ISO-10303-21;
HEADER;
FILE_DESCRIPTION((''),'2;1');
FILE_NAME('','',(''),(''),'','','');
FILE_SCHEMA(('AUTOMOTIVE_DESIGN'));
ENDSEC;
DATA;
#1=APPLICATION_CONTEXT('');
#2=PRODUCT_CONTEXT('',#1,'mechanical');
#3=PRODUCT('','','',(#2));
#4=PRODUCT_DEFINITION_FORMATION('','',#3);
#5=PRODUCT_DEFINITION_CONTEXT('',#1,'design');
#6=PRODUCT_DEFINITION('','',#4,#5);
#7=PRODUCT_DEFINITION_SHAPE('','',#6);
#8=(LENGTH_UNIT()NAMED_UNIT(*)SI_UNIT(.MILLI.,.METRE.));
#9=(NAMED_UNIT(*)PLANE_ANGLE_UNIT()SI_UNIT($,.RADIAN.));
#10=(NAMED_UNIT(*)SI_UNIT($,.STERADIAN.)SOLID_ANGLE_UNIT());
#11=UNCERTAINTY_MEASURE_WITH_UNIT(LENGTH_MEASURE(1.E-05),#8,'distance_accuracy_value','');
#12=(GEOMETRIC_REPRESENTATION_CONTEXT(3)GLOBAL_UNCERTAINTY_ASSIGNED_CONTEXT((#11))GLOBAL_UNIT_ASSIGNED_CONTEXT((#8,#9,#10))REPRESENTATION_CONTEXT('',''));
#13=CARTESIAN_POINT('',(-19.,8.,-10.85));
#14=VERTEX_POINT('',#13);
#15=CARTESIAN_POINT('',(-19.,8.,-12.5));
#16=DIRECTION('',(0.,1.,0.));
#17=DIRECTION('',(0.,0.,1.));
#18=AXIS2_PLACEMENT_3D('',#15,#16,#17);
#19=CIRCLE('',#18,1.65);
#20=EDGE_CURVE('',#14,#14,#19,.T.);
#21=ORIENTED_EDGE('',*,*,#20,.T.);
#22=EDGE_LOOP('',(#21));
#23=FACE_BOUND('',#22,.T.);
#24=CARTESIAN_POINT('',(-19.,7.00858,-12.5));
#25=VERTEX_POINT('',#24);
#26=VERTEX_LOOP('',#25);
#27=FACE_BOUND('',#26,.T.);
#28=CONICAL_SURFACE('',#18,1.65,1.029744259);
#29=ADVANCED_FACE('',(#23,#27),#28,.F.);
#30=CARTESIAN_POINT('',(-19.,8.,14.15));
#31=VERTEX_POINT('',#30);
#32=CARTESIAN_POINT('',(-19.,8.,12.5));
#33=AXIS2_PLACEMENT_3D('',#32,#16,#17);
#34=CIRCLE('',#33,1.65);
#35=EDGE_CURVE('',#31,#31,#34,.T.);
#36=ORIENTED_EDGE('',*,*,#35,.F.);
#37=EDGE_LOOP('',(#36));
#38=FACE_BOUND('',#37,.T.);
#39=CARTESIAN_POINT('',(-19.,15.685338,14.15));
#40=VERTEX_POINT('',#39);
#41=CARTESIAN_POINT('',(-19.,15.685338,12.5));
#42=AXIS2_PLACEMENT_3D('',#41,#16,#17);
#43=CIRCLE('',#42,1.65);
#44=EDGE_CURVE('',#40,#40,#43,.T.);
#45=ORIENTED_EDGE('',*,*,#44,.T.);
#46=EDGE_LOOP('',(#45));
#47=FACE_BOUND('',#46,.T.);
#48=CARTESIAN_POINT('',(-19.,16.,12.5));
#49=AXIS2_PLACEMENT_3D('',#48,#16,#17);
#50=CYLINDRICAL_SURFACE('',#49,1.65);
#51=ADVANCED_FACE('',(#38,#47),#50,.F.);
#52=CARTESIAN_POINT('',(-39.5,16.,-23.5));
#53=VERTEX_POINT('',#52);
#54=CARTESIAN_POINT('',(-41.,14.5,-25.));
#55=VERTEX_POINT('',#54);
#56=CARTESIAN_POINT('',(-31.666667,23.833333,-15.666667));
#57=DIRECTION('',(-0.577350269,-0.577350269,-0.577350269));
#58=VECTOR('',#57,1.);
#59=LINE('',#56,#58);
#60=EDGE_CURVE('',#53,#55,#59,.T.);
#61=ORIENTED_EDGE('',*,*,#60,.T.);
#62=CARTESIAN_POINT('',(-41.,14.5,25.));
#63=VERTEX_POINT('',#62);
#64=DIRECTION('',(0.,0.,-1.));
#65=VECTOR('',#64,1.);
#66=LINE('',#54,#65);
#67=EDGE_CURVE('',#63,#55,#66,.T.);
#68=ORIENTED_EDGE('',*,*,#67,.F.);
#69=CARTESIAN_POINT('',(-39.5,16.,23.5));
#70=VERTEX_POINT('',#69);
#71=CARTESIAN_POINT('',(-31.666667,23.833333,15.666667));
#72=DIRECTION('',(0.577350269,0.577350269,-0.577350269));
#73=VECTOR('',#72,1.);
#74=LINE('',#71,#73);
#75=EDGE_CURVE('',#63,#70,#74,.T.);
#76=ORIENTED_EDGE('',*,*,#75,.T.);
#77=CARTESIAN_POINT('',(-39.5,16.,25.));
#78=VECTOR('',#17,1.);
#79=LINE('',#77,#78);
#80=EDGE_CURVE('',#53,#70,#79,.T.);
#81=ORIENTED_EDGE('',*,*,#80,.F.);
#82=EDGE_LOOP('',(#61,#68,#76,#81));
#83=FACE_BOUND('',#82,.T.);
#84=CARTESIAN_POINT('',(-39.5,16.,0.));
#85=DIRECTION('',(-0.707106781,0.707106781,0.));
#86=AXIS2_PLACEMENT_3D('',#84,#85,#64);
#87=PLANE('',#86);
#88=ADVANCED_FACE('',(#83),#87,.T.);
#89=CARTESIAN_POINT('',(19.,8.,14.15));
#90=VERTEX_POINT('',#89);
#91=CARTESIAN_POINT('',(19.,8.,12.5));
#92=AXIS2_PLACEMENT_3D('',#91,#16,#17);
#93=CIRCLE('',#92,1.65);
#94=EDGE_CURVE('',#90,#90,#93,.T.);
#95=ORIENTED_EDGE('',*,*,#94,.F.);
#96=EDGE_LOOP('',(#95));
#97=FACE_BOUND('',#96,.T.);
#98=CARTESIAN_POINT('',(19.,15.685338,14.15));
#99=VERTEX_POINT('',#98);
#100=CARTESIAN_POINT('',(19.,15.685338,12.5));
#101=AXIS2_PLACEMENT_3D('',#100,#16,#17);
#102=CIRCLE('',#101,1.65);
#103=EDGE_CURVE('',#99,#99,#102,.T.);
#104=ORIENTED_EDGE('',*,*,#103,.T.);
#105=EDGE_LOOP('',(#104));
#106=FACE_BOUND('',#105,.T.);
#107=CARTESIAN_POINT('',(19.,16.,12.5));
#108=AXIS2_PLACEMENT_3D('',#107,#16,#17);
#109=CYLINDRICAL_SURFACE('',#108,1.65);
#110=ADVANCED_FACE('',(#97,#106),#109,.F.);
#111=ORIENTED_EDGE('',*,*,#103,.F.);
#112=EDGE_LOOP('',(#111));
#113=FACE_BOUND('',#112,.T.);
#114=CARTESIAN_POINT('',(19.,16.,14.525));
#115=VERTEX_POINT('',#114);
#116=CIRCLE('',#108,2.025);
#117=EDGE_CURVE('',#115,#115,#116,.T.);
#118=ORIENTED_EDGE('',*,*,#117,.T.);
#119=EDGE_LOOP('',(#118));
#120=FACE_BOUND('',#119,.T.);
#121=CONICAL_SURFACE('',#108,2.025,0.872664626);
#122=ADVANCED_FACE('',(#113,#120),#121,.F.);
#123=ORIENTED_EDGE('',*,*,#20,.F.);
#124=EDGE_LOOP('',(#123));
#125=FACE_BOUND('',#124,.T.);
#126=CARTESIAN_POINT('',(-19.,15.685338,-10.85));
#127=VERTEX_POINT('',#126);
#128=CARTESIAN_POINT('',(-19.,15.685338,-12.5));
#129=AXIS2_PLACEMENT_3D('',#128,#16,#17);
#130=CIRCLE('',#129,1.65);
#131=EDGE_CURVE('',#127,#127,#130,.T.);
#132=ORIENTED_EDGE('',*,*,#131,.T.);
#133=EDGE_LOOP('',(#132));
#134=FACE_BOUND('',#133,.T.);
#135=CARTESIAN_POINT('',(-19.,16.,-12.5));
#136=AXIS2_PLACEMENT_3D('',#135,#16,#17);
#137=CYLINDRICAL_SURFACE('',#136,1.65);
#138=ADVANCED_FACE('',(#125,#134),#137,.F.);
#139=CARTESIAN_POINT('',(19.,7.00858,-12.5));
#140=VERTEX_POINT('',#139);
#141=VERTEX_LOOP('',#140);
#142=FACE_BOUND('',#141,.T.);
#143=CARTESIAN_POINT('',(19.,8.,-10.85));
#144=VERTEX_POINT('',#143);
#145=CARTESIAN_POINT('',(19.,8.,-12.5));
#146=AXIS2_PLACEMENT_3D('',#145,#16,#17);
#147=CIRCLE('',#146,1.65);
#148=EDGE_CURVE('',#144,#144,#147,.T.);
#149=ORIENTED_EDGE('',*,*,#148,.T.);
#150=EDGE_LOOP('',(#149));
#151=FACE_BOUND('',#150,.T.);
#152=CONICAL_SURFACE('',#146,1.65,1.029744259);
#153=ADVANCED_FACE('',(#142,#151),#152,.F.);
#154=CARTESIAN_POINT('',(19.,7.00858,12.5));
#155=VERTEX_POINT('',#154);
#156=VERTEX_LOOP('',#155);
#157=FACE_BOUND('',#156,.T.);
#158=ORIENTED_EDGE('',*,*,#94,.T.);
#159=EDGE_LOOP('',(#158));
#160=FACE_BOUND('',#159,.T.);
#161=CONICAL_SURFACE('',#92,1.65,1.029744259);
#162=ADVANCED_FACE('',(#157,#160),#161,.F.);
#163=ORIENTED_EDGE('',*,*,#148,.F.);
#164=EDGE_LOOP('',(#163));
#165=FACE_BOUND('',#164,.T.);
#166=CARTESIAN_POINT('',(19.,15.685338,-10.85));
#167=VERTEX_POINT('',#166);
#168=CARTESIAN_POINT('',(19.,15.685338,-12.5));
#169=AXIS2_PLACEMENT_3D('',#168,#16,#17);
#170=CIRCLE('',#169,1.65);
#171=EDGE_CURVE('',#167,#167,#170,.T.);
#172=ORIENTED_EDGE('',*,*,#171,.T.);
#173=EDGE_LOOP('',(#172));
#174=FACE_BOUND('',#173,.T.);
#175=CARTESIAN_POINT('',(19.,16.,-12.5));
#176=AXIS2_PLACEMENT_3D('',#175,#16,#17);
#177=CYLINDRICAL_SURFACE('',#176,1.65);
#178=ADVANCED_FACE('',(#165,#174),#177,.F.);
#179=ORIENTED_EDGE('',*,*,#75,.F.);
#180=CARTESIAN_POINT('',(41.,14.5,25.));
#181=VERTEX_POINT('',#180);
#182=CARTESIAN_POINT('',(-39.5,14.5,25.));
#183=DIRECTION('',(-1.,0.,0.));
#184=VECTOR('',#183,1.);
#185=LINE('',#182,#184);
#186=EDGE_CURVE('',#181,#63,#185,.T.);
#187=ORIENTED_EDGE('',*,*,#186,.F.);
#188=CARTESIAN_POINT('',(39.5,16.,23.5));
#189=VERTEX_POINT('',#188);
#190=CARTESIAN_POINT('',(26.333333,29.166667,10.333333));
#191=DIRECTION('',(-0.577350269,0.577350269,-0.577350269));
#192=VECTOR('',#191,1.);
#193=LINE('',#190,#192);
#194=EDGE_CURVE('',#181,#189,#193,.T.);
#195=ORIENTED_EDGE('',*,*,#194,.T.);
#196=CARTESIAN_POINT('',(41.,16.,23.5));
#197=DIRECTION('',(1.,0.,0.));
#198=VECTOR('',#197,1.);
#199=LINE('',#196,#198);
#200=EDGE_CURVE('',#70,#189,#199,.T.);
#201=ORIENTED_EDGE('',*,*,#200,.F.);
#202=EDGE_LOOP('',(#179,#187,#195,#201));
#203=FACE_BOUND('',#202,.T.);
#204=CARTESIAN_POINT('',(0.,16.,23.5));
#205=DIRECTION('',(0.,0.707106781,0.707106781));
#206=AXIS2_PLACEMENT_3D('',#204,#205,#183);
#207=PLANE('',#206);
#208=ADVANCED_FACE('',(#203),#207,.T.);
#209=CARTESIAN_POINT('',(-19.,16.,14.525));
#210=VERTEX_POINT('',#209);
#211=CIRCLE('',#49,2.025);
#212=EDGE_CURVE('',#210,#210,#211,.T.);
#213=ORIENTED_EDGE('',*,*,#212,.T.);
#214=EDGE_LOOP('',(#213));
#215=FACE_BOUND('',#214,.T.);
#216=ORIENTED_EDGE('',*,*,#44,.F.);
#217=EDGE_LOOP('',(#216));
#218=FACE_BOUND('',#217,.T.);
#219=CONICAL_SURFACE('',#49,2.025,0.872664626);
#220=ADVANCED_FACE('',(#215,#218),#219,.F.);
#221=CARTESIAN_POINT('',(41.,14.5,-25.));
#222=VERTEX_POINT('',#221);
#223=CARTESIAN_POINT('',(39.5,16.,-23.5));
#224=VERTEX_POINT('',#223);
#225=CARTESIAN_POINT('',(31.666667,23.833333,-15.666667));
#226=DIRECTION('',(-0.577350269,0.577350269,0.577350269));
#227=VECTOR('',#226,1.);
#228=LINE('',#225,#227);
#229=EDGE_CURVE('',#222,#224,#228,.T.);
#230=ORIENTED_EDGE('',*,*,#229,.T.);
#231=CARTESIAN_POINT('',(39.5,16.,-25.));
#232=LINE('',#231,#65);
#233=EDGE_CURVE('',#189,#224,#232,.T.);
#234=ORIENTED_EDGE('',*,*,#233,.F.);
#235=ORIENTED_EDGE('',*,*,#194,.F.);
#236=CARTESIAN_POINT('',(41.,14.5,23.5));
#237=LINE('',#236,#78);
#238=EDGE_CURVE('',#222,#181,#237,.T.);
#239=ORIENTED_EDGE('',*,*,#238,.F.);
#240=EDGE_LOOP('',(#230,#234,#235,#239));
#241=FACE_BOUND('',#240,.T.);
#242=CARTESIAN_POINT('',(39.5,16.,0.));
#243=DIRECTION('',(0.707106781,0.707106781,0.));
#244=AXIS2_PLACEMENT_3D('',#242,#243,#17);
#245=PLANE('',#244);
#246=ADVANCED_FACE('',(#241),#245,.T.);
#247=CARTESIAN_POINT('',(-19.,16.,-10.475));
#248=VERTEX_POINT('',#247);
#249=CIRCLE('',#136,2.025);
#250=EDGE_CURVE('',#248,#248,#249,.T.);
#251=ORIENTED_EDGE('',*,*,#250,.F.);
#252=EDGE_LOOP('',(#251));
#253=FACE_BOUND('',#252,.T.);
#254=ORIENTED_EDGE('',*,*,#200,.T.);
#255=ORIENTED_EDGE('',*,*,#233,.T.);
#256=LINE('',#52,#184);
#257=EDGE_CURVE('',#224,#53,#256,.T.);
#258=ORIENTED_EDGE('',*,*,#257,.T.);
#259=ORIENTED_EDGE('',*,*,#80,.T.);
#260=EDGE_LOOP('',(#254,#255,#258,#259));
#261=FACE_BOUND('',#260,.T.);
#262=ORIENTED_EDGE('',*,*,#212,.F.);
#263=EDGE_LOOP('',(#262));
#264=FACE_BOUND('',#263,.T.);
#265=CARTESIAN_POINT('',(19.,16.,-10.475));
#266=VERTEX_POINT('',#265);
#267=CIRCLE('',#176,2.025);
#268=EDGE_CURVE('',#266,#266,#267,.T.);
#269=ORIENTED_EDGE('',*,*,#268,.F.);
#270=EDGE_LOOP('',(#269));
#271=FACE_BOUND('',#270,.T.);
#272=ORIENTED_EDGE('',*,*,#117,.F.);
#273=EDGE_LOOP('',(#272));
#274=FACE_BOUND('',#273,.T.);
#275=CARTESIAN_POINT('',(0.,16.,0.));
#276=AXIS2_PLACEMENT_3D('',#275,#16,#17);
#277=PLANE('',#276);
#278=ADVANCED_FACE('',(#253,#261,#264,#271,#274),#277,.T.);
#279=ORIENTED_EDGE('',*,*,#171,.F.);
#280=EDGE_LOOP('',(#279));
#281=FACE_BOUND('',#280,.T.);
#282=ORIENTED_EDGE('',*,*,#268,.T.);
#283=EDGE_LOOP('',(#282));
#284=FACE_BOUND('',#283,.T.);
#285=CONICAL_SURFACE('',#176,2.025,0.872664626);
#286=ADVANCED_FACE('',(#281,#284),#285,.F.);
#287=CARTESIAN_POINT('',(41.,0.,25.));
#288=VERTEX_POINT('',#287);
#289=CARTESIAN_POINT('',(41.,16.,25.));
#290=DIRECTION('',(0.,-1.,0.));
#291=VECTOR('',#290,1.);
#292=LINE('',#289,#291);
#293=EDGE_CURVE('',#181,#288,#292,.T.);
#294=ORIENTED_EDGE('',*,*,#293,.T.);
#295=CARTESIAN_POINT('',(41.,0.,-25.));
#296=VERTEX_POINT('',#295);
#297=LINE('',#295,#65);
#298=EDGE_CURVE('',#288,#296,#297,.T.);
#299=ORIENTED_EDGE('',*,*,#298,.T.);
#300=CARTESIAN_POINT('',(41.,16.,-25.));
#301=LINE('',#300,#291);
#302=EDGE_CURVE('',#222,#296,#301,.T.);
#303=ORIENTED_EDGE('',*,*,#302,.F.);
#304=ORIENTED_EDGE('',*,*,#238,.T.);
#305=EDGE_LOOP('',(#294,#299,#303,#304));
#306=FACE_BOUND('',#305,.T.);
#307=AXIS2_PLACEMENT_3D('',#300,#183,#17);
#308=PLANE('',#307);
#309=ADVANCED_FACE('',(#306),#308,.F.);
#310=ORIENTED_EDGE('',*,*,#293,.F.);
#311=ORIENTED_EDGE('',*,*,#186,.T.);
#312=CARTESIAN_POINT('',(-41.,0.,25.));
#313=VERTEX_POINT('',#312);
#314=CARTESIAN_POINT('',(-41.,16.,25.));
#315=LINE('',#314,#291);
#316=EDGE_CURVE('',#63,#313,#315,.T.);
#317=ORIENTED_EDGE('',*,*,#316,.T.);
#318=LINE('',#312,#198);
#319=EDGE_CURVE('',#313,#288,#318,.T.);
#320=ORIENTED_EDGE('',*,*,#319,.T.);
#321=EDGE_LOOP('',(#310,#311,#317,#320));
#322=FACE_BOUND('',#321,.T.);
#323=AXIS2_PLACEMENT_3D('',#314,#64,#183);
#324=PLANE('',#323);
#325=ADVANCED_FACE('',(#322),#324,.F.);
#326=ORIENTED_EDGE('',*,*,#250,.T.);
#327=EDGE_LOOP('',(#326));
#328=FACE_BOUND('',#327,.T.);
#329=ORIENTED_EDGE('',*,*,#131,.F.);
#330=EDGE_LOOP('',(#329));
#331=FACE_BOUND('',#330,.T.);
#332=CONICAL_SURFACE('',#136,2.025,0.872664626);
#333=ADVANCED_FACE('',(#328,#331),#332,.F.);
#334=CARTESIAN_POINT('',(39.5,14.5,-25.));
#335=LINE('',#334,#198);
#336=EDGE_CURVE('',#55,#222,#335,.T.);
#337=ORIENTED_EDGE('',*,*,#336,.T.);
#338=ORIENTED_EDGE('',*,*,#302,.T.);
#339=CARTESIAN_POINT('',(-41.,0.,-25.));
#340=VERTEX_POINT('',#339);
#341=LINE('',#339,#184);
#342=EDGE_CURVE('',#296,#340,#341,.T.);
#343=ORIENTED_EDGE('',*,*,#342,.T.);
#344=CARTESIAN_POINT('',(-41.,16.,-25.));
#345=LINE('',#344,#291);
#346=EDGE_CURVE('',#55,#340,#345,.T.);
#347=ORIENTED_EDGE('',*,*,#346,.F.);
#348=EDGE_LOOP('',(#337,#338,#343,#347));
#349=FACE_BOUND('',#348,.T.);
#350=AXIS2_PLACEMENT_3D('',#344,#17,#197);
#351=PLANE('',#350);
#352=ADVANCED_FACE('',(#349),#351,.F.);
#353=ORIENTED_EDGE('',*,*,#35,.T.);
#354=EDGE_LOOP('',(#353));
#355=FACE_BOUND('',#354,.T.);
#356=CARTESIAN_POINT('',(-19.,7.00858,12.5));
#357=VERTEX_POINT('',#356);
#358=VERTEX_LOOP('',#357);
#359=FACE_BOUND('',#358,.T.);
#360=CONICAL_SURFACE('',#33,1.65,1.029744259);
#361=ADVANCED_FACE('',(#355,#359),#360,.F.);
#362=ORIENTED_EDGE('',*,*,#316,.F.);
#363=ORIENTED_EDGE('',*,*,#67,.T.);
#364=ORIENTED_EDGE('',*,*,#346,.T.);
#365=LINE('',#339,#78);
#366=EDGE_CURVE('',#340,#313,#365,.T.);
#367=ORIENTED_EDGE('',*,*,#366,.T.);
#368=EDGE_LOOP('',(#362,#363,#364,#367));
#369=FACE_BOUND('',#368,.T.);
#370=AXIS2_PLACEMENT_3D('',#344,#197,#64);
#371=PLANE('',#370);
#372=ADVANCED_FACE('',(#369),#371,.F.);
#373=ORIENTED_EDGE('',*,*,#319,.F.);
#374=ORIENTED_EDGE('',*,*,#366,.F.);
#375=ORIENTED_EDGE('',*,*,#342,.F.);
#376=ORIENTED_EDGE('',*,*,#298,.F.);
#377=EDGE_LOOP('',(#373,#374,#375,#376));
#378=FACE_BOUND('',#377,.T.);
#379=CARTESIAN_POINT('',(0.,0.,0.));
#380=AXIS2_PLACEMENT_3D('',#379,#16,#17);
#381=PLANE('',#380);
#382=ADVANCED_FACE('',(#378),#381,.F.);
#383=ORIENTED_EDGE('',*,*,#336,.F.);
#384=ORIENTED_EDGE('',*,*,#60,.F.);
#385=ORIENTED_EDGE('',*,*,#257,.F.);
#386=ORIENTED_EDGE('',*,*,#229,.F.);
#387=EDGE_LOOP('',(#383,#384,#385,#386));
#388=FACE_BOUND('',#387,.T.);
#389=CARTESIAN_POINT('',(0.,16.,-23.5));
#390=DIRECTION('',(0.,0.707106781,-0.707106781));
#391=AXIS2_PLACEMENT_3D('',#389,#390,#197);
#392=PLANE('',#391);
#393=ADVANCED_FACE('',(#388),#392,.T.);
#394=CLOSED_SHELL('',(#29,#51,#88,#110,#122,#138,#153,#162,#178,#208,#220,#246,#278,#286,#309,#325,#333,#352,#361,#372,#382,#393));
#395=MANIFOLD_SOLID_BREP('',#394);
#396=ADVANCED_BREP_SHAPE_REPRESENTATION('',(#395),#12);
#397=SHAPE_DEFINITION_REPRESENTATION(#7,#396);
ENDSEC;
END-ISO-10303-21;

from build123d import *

# Parameters (mm, degrees)
SKETCH1_W                   = 82
SKETCH1_H                   = 50
BOSS_EXTRUDE1_DEPTH         = 16
CHAMFER1_SIZE               = 1.5
CHAMFER2_SIZE               = 1.5
CHAMFER3_SIZE               = 1.5
CHAMFER4_SIZE               = 1.5
M4_TAPPED_HOLE4_D           = 3.3
M4_TAPPED_HOLE4_DEPTH       = 8
M4_TAPPED_HOLE4_CSINK_D     = 4.05
M4_TAPPED_HOLE4_CSINK_ANGLE = 100
M4_TAPPED_HOLE4_TIP         = 0.991420021


with BuildPart() as part:
    # Sketch1 → Boss-Extrude1 (new body)
    with BuildSketch(Plane(origin=(0, 0, 0), x_dir=(1, 0, 0), z_dir=(0, 1, 0))):
        Rectangle(SKETCH1_W, SKETCH1_H)
    extrude(amount=BOSS_EXTRUDE1_DEPTH)

    # Chamfer1
    chamfer1_edges = [part.edges().sort_by_distance(p)[0] for p in [
        (-41, 16, 0),
    ]]
    chamfer(chamfer1_edges, length=CHAMFER1_SIZE)

    # Chamfer2
    chamfer2_edges = [part.edges().sort_by_distance(p)[0] for p in [
        (0.75, 16, 25),
    ]]
    chamfer(chamfer2_edges, length=CHAMFER2_SIZE)

    # Chamfer3
    chamfer3_edges = [part.edges().sort_by_distance(p)[0] for p in [
        (41, 16, -0.75),
    ]]
    chamfer(chamfer3_edges, length=CHAMFER3_SIZE)

    # Chamfer4
    chamfer4_edges = [part.edges().sort_by_distance(p)[0] for p in [
        (0, 16, -25),
    ]]
    chamfer(chamfer4_edges, length=CHAMFER4_SIZE)

    # M4 Tapped Hole4
    with Locations(Plane(origin=(0, 16, 0), x_dir=(1, 0, 0), z_dir=(0, 1, 0))):
        with Locations((-19, 12.5), (19, 12.5), (19, -12.5), (-19, -12.5)):
            CounterSinkHole(M4_TAPPED_HOLE4_D / 2, M4_TAPPED_HOLE4_CSINK_D / 2, depth=M4_TAPPED_HOLE4_DEPTH, counter_sink_angle=M4_TAPPED_HOLE4_CSINK_ANGLE)
            with Locations((0, 0, -(M4_TAPPED_HOLE4_DEPTH + M4_TAPPED_HOLE4_TIP / 2))):  # 118° drill point
                Cone(0, M4_TAPPED_HOLE4_D / 2, M4_TAPPED_HOLE4_TIP, mode=Mode.SUBTRACT)


solid = part.part
